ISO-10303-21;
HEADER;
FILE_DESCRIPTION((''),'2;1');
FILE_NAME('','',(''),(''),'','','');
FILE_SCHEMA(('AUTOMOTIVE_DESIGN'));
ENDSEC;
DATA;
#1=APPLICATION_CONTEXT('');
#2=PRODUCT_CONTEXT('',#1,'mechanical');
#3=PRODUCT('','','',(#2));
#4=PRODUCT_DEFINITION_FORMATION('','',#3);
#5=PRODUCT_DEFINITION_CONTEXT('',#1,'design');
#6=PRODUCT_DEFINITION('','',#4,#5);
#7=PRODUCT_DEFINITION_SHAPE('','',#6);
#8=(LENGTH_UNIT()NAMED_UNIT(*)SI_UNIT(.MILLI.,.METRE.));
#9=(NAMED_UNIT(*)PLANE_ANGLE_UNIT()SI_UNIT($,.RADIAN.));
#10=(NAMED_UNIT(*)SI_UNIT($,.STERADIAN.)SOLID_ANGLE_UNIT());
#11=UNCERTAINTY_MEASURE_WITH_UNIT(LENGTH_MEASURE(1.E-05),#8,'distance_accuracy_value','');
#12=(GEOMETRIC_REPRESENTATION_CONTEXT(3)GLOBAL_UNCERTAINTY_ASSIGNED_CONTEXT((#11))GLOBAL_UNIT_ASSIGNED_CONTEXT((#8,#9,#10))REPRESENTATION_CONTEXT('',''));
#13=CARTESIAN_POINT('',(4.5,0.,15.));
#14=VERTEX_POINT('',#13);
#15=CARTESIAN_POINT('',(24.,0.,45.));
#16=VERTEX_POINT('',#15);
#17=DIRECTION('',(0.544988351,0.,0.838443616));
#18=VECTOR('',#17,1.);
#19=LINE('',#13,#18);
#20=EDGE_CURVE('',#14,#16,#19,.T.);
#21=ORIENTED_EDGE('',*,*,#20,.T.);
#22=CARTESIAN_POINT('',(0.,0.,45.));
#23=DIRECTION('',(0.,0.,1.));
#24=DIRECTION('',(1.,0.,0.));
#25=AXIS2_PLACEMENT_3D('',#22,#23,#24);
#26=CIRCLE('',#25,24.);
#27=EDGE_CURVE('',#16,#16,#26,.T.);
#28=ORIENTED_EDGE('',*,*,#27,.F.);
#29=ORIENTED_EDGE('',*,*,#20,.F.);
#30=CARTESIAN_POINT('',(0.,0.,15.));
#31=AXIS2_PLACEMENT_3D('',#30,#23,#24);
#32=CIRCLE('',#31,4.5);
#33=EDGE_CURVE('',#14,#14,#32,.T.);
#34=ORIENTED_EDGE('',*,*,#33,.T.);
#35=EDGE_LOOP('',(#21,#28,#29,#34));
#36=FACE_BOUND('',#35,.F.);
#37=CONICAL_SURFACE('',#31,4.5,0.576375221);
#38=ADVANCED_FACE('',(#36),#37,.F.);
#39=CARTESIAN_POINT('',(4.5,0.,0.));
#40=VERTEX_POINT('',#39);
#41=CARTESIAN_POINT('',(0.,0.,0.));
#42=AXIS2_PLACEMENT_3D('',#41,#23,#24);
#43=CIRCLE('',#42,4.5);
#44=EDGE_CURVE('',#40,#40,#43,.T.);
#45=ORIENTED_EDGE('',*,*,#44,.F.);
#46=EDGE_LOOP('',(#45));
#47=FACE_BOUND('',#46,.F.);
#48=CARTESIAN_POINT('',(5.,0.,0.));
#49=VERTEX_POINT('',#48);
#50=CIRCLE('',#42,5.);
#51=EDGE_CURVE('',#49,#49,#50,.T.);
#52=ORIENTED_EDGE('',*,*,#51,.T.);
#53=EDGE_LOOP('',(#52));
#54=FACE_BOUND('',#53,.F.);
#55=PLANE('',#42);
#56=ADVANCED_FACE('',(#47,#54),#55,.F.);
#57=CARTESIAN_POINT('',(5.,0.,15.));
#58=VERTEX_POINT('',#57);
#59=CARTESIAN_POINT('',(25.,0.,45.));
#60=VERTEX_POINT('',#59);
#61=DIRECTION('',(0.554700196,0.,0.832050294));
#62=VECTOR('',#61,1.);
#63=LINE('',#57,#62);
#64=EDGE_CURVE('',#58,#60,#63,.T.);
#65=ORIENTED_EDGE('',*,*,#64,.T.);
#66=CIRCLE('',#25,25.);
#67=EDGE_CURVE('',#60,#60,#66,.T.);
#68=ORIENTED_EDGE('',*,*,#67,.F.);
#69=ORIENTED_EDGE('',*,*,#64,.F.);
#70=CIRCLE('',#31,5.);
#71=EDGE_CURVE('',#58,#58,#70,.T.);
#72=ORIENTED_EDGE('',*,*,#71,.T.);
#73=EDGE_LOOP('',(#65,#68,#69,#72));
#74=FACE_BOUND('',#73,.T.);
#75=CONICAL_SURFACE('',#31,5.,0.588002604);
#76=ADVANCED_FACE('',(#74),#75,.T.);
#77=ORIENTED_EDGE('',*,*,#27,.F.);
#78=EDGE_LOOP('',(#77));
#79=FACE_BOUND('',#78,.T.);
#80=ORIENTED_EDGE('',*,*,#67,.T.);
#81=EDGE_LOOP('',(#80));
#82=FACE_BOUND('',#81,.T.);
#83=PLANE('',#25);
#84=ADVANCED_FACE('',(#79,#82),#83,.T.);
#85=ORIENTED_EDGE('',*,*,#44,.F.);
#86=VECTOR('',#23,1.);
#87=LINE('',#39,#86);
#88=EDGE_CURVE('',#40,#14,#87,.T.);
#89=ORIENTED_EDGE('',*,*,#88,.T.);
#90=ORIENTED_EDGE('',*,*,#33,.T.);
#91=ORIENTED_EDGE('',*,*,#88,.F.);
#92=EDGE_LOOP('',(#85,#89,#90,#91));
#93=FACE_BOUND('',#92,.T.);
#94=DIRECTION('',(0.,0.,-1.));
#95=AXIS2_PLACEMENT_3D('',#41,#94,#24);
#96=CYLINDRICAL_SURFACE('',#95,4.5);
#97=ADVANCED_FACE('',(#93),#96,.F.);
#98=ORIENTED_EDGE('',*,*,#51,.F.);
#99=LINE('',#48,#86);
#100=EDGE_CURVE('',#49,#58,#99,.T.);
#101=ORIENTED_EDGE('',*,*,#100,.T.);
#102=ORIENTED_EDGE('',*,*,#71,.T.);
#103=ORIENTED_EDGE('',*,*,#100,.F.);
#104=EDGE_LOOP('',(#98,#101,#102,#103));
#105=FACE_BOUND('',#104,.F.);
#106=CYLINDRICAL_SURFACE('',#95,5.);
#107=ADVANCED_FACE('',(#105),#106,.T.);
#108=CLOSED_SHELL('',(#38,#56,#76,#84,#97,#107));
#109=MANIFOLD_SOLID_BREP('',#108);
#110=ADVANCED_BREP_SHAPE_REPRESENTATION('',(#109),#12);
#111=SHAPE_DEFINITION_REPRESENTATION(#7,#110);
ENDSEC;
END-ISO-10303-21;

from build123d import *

# Parameters (mm, degrees)
CYLINDER001_R     = 4.5
CYLINDER001_DEPTH = 15
CYLINDER_R        = 5
CYLINDER_DEPTH    = 15


with BuildPart() as cilindre001:
    # Cylinder001 → Cylinder001 (new body)
    with BuildSketch(Plane.XY):
        Circle(CYLINDER001_R)
    extrude(amount=CYLINDER001_DEPTH)


with BuildPart() as cut:
    # Cylinder → Cylinder (new body)
    with BuildSketch(Plane.XY):
        Circle(CYLINDER_R)
    extrude(amount=CYLINDER_DEPTH)

    # Cut: cut Cilindre001
    add(cilindre001.part, mode=Mode.SUBTRACT)


with BuildPart() as con001:
    # Cone001 → Cone001 (revolve)
    with BuildSketch(Plane(origin=(0, 0, 15), x_dir=(1, 0, 0), z_dir=(0, -1, 0))):
        Polygon((0, 0), (4.5, 0), (24, 30), (0, 30), align=None)
    revolve(axis=Axis((0, 0, 15), (0, 0, 1)))


with BuildPart() as fusion:
    # Cone → Cone (revolve)
    with BuildSketch(Plane(origin=(0, 0, 15), x_dir=(1, 0, 0), z_dir=(0, -1, 0))):
        Polygon((0, 0), (5, 0), (25, 30), (0, 30), align=None)
    revolve(axis=Axis((0, 0, 15), (0, 0, 1)))

    # Cut001: cut Con001
    add(con001.part, mode=Mode.SUBTRACT)

    # Fusion: union Cut
    add(cut.part)


solid = fusion.part
